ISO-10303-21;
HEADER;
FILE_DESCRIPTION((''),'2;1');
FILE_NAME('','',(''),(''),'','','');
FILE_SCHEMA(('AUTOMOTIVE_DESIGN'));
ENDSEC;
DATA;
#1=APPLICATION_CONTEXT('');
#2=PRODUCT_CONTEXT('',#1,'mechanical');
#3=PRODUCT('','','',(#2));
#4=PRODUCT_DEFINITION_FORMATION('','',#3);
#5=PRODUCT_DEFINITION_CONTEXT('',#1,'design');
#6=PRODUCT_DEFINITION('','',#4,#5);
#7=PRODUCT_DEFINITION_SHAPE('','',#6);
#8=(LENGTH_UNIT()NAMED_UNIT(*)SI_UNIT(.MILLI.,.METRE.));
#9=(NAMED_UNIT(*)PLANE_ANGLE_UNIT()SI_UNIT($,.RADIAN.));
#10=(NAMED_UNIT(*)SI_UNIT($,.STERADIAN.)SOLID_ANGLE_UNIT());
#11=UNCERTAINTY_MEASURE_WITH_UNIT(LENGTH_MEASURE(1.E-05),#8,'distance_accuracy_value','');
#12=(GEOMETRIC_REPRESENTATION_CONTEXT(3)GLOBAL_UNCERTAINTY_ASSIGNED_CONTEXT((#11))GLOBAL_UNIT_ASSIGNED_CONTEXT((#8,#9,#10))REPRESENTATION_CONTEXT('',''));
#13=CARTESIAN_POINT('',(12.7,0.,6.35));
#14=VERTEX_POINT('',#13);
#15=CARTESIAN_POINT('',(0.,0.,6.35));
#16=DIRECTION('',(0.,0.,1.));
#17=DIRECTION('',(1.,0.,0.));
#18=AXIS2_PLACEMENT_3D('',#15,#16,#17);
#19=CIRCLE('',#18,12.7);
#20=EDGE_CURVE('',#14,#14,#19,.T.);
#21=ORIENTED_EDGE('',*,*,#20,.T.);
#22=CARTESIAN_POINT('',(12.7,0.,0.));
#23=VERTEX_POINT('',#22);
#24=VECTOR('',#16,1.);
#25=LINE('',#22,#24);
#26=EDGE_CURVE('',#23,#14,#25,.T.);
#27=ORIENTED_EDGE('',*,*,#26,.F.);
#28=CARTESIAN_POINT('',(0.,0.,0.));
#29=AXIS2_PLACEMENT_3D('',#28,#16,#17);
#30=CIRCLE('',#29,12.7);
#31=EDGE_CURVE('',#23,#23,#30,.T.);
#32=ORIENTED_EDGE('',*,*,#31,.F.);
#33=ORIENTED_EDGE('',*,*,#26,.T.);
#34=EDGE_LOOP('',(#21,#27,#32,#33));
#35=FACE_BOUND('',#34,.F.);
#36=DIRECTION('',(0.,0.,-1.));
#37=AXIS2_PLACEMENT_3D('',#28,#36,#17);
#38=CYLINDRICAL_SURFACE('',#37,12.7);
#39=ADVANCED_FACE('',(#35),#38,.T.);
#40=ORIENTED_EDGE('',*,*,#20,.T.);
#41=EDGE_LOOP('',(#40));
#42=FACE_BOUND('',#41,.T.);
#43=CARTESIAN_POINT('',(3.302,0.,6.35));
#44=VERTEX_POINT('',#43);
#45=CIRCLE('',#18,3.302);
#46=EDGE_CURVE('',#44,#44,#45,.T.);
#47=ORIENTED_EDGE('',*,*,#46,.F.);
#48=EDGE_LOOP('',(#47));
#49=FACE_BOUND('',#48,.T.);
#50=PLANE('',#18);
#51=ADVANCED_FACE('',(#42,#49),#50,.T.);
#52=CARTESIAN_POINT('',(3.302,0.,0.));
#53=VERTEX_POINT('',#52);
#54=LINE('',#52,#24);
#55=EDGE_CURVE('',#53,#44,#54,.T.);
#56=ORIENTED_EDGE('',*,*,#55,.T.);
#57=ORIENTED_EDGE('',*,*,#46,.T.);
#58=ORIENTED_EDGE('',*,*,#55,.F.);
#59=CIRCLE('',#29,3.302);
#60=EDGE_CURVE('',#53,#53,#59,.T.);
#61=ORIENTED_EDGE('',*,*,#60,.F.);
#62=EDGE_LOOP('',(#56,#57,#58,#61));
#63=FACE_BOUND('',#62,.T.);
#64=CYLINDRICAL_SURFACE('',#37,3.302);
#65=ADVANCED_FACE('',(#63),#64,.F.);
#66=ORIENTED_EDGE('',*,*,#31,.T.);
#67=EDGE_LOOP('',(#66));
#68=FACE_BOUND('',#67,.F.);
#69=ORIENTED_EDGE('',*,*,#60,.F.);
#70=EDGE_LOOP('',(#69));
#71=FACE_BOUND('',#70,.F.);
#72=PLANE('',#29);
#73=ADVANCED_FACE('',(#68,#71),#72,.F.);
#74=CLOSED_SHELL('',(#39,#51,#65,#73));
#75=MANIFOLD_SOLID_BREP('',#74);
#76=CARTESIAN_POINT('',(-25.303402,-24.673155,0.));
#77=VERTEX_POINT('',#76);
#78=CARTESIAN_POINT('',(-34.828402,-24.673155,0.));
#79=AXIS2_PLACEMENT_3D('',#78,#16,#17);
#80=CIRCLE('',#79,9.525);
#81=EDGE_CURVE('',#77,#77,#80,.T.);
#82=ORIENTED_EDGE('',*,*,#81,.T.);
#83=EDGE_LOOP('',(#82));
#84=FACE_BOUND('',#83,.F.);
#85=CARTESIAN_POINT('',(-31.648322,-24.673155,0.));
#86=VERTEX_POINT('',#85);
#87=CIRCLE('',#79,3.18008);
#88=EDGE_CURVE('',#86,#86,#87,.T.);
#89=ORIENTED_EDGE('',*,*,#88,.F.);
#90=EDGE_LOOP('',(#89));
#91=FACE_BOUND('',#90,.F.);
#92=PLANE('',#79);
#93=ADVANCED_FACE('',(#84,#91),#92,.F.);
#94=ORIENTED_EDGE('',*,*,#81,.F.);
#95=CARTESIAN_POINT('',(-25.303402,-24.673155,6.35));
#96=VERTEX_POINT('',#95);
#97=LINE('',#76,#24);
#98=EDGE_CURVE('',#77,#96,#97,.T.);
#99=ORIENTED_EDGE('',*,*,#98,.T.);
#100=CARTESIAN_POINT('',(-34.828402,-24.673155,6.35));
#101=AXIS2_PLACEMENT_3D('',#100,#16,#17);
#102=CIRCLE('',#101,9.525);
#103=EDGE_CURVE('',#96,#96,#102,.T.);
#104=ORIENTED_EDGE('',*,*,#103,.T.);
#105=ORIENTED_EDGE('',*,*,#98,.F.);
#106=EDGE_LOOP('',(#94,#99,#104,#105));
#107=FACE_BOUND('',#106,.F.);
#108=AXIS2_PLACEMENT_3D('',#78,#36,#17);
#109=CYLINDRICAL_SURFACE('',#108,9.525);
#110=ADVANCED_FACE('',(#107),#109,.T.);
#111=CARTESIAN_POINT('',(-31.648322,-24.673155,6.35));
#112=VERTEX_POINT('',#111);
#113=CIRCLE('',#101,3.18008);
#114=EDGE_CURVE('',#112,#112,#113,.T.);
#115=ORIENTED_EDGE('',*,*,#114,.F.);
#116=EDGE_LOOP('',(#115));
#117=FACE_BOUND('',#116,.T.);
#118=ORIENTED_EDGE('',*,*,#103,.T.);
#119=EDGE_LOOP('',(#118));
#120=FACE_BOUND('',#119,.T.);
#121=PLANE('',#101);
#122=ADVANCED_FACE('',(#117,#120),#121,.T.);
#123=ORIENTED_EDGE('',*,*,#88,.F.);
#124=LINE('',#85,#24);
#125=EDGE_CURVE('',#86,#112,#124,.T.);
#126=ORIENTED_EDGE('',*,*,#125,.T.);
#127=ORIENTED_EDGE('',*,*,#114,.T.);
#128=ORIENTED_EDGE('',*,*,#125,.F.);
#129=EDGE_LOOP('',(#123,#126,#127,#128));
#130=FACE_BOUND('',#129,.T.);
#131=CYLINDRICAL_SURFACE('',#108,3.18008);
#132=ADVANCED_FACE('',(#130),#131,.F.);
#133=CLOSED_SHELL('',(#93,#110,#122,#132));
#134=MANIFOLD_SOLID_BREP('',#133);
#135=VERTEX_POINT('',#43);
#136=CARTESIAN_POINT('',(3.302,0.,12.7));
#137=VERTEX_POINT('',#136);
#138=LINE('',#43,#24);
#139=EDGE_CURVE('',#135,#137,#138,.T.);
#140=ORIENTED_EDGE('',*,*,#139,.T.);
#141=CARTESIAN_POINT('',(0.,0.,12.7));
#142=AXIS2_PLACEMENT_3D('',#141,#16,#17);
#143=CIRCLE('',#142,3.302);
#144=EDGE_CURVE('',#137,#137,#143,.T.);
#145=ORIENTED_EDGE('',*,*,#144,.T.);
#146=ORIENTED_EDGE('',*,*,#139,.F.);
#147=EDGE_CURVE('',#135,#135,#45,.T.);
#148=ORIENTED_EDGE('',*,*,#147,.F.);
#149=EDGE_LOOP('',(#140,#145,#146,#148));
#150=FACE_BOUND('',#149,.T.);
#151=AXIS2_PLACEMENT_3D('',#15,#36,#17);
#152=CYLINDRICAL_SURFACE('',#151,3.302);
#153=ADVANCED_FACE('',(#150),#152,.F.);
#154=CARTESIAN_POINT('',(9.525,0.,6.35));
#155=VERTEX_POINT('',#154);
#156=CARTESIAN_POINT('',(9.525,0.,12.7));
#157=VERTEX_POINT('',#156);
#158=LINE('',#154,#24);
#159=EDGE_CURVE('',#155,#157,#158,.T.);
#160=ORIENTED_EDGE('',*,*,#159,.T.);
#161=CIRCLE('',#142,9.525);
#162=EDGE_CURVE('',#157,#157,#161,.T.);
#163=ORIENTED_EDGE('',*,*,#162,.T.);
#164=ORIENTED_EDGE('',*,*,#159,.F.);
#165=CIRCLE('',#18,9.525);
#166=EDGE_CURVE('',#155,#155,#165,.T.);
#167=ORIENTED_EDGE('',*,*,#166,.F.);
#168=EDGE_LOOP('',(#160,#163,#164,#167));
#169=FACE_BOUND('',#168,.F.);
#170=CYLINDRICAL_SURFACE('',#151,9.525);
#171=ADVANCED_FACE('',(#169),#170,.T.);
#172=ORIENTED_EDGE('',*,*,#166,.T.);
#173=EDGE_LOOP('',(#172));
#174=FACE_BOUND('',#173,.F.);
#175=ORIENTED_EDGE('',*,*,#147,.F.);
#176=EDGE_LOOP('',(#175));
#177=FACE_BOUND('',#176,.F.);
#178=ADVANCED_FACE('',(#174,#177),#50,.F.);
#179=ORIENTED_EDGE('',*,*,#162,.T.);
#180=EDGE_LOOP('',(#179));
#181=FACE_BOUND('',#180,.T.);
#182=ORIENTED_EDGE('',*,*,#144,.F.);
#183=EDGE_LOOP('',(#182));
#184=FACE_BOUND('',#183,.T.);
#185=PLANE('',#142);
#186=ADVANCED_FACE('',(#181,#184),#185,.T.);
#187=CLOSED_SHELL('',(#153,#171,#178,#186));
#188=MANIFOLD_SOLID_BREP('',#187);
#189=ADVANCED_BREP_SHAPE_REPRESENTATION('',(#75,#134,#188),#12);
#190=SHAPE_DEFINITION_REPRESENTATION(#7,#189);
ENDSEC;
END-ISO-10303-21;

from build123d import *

# Parameters (mm, degrees)
F0_R     = 12.7
F0_R_2   = 3.302
F1_DEPTH = 6.35
F3_R     = 9.525
F3_R_2   = 3.18008
F4_DEPTH = 6.35
F2_R     = 9.525
F2_R_2   = 3.302
F5_DEPTH = 6.35


with BuildPart() as f1:
    # F0 (on Top) → F1 (new body)
    with BuildSketch(Plane.XY):
        Circle(F0_R)
        Circle(F0_R_2, mode=Mode.SUBTRACT)
    extrude(amount=F1_DEPTH)


with BuildPart() as f4:
    # F3 (on Top) → F4 (new body)
    with BuildSketch(Plane.XY):
        with Locations((-34.828402, -24.673155)):
            Circle(F3_R)
        with Locations((-34.828402, -24.673155)):
            Circle(F3_R_2, mode=Mode.SUBTRACT)
    extrude(amount=F4_DEPTH)


with BuildPart() as f5:
    # F2 (on face) → F5 (new body)
    with BuildSketch(Plane.XY.offset(6.35)):
        Circle(F2_R)
        Circle(F2_R_2, mode=Mode.SUBTRACT)
    extrude(amount=F5_DEPTH)


solid = Compound([f1.part, f4.part, f5.part])
